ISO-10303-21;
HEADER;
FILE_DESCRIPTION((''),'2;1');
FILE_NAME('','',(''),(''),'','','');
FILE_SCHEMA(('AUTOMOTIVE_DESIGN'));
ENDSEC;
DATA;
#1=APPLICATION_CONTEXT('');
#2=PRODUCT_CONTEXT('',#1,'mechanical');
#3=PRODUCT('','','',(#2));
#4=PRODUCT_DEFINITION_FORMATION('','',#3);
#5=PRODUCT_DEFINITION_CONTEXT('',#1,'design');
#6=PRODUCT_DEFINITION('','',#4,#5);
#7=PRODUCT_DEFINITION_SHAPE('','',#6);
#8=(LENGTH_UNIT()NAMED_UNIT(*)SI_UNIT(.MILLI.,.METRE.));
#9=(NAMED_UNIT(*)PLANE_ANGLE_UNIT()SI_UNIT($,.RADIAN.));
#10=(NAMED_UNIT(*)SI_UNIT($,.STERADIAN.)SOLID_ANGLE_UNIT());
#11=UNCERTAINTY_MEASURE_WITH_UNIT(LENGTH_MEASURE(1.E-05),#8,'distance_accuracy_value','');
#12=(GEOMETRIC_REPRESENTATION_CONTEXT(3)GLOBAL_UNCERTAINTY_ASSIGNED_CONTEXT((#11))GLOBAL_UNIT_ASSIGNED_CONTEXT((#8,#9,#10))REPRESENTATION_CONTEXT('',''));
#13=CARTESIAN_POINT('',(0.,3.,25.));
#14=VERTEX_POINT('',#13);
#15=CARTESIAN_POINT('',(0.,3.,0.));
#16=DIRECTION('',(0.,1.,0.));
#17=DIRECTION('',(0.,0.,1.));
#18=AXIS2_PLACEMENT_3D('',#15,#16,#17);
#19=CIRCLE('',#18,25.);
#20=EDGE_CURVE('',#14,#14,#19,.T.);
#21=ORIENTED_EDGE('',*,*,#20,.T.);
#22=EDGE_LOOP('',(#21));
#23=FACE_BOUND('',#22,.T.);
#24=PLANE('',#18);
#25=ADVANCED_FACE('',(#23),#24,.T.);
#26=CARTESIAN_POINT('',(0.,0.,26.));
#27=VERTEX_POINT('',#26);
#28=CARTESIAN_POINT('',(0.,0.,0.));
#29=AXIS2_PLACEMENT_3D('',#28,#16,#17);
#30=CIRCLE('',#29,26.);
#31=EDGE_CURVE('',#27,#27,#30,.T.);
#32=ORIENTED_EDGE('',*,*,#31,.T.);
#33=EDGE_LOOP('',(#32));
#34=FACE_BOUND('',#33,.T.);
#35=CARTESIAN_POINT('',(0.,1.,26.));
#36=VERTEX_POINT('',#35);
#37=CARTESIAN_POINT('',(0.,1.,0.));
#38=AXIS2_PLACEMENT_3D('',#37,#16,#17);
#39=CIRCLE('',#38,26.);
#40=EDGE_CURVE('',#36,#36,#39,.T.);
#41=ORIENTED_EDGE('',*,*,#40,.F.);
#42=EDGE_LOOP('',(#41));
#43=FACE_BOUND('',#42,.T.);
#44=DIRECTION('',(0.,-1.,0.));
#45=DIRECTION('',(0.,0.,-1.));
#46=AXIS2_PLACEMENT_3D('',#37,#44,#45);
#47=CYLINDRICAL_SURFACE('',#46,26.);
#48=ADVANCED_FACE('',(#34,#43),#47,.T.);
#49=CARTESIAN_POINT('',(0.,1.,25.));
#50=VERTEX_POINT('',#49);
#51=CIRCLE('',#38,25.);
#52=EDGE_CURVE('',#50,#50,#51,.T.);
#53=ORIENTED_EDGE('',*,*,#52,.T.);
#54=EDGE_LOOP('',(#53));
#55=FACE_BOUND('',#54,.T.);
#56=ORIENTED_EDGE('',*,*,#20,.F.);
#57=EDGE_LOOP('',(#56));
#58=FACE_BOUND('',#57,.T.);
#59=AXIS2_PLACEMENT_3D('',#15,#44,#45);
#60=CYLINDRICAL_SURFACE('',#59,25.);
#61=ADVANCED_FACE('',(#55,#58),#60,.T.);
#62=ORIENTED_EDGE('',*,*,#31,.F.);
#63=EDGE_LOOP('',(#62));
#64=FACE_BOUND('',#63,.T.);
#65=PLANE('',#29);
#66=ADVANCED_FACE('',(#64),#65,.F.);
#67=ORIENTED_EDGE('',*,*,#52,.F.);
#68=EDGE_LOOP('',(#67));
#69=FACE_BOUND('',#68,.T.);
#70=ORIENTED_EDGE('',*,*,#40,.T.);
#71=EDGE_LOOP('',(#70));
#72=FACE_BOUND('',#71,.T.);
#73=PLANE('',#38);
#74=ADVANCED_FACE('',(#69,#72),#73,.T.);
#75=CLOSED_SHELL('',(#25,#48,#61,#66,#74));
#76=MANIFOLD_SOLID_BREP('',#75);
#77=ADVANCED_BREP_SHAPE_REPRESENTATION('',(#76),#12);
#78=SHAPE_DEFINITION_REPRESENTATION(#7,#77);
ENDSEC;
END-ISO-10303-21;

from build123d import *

# Parameters (mm, degrees)
SKETCH1_R           = 26
BOSS_EXTRUDE4_DEPTH = 1
SKETCH6_R           = 25
BOSS_EXTRUDE5_DEPTH = 2


with BuildPart() as part:
    # Sketch1 → Boss-Extrude4 (new body)
    with BuildSketch(Plane(origin=(0, 0, 0), x_dir=(1, 0, 0), z_dir=(0, 1, 0))):
        Circle(SKETCH1_R)
    extrude(amount=BOSS_EXTRUDE4_DEPTH)

    # Sketch6 → Boss-Extrude5 (add)
    with BuildSketch(Plane(origin=(0, 1, 0), x_dir=(1, 0, 0), z_dir=(0, 1, 0))):
        Circle(SKETCH6_R)
    extrude(amount=BOSS_EXTRUDE5_DEPTH)


solid = part.part
